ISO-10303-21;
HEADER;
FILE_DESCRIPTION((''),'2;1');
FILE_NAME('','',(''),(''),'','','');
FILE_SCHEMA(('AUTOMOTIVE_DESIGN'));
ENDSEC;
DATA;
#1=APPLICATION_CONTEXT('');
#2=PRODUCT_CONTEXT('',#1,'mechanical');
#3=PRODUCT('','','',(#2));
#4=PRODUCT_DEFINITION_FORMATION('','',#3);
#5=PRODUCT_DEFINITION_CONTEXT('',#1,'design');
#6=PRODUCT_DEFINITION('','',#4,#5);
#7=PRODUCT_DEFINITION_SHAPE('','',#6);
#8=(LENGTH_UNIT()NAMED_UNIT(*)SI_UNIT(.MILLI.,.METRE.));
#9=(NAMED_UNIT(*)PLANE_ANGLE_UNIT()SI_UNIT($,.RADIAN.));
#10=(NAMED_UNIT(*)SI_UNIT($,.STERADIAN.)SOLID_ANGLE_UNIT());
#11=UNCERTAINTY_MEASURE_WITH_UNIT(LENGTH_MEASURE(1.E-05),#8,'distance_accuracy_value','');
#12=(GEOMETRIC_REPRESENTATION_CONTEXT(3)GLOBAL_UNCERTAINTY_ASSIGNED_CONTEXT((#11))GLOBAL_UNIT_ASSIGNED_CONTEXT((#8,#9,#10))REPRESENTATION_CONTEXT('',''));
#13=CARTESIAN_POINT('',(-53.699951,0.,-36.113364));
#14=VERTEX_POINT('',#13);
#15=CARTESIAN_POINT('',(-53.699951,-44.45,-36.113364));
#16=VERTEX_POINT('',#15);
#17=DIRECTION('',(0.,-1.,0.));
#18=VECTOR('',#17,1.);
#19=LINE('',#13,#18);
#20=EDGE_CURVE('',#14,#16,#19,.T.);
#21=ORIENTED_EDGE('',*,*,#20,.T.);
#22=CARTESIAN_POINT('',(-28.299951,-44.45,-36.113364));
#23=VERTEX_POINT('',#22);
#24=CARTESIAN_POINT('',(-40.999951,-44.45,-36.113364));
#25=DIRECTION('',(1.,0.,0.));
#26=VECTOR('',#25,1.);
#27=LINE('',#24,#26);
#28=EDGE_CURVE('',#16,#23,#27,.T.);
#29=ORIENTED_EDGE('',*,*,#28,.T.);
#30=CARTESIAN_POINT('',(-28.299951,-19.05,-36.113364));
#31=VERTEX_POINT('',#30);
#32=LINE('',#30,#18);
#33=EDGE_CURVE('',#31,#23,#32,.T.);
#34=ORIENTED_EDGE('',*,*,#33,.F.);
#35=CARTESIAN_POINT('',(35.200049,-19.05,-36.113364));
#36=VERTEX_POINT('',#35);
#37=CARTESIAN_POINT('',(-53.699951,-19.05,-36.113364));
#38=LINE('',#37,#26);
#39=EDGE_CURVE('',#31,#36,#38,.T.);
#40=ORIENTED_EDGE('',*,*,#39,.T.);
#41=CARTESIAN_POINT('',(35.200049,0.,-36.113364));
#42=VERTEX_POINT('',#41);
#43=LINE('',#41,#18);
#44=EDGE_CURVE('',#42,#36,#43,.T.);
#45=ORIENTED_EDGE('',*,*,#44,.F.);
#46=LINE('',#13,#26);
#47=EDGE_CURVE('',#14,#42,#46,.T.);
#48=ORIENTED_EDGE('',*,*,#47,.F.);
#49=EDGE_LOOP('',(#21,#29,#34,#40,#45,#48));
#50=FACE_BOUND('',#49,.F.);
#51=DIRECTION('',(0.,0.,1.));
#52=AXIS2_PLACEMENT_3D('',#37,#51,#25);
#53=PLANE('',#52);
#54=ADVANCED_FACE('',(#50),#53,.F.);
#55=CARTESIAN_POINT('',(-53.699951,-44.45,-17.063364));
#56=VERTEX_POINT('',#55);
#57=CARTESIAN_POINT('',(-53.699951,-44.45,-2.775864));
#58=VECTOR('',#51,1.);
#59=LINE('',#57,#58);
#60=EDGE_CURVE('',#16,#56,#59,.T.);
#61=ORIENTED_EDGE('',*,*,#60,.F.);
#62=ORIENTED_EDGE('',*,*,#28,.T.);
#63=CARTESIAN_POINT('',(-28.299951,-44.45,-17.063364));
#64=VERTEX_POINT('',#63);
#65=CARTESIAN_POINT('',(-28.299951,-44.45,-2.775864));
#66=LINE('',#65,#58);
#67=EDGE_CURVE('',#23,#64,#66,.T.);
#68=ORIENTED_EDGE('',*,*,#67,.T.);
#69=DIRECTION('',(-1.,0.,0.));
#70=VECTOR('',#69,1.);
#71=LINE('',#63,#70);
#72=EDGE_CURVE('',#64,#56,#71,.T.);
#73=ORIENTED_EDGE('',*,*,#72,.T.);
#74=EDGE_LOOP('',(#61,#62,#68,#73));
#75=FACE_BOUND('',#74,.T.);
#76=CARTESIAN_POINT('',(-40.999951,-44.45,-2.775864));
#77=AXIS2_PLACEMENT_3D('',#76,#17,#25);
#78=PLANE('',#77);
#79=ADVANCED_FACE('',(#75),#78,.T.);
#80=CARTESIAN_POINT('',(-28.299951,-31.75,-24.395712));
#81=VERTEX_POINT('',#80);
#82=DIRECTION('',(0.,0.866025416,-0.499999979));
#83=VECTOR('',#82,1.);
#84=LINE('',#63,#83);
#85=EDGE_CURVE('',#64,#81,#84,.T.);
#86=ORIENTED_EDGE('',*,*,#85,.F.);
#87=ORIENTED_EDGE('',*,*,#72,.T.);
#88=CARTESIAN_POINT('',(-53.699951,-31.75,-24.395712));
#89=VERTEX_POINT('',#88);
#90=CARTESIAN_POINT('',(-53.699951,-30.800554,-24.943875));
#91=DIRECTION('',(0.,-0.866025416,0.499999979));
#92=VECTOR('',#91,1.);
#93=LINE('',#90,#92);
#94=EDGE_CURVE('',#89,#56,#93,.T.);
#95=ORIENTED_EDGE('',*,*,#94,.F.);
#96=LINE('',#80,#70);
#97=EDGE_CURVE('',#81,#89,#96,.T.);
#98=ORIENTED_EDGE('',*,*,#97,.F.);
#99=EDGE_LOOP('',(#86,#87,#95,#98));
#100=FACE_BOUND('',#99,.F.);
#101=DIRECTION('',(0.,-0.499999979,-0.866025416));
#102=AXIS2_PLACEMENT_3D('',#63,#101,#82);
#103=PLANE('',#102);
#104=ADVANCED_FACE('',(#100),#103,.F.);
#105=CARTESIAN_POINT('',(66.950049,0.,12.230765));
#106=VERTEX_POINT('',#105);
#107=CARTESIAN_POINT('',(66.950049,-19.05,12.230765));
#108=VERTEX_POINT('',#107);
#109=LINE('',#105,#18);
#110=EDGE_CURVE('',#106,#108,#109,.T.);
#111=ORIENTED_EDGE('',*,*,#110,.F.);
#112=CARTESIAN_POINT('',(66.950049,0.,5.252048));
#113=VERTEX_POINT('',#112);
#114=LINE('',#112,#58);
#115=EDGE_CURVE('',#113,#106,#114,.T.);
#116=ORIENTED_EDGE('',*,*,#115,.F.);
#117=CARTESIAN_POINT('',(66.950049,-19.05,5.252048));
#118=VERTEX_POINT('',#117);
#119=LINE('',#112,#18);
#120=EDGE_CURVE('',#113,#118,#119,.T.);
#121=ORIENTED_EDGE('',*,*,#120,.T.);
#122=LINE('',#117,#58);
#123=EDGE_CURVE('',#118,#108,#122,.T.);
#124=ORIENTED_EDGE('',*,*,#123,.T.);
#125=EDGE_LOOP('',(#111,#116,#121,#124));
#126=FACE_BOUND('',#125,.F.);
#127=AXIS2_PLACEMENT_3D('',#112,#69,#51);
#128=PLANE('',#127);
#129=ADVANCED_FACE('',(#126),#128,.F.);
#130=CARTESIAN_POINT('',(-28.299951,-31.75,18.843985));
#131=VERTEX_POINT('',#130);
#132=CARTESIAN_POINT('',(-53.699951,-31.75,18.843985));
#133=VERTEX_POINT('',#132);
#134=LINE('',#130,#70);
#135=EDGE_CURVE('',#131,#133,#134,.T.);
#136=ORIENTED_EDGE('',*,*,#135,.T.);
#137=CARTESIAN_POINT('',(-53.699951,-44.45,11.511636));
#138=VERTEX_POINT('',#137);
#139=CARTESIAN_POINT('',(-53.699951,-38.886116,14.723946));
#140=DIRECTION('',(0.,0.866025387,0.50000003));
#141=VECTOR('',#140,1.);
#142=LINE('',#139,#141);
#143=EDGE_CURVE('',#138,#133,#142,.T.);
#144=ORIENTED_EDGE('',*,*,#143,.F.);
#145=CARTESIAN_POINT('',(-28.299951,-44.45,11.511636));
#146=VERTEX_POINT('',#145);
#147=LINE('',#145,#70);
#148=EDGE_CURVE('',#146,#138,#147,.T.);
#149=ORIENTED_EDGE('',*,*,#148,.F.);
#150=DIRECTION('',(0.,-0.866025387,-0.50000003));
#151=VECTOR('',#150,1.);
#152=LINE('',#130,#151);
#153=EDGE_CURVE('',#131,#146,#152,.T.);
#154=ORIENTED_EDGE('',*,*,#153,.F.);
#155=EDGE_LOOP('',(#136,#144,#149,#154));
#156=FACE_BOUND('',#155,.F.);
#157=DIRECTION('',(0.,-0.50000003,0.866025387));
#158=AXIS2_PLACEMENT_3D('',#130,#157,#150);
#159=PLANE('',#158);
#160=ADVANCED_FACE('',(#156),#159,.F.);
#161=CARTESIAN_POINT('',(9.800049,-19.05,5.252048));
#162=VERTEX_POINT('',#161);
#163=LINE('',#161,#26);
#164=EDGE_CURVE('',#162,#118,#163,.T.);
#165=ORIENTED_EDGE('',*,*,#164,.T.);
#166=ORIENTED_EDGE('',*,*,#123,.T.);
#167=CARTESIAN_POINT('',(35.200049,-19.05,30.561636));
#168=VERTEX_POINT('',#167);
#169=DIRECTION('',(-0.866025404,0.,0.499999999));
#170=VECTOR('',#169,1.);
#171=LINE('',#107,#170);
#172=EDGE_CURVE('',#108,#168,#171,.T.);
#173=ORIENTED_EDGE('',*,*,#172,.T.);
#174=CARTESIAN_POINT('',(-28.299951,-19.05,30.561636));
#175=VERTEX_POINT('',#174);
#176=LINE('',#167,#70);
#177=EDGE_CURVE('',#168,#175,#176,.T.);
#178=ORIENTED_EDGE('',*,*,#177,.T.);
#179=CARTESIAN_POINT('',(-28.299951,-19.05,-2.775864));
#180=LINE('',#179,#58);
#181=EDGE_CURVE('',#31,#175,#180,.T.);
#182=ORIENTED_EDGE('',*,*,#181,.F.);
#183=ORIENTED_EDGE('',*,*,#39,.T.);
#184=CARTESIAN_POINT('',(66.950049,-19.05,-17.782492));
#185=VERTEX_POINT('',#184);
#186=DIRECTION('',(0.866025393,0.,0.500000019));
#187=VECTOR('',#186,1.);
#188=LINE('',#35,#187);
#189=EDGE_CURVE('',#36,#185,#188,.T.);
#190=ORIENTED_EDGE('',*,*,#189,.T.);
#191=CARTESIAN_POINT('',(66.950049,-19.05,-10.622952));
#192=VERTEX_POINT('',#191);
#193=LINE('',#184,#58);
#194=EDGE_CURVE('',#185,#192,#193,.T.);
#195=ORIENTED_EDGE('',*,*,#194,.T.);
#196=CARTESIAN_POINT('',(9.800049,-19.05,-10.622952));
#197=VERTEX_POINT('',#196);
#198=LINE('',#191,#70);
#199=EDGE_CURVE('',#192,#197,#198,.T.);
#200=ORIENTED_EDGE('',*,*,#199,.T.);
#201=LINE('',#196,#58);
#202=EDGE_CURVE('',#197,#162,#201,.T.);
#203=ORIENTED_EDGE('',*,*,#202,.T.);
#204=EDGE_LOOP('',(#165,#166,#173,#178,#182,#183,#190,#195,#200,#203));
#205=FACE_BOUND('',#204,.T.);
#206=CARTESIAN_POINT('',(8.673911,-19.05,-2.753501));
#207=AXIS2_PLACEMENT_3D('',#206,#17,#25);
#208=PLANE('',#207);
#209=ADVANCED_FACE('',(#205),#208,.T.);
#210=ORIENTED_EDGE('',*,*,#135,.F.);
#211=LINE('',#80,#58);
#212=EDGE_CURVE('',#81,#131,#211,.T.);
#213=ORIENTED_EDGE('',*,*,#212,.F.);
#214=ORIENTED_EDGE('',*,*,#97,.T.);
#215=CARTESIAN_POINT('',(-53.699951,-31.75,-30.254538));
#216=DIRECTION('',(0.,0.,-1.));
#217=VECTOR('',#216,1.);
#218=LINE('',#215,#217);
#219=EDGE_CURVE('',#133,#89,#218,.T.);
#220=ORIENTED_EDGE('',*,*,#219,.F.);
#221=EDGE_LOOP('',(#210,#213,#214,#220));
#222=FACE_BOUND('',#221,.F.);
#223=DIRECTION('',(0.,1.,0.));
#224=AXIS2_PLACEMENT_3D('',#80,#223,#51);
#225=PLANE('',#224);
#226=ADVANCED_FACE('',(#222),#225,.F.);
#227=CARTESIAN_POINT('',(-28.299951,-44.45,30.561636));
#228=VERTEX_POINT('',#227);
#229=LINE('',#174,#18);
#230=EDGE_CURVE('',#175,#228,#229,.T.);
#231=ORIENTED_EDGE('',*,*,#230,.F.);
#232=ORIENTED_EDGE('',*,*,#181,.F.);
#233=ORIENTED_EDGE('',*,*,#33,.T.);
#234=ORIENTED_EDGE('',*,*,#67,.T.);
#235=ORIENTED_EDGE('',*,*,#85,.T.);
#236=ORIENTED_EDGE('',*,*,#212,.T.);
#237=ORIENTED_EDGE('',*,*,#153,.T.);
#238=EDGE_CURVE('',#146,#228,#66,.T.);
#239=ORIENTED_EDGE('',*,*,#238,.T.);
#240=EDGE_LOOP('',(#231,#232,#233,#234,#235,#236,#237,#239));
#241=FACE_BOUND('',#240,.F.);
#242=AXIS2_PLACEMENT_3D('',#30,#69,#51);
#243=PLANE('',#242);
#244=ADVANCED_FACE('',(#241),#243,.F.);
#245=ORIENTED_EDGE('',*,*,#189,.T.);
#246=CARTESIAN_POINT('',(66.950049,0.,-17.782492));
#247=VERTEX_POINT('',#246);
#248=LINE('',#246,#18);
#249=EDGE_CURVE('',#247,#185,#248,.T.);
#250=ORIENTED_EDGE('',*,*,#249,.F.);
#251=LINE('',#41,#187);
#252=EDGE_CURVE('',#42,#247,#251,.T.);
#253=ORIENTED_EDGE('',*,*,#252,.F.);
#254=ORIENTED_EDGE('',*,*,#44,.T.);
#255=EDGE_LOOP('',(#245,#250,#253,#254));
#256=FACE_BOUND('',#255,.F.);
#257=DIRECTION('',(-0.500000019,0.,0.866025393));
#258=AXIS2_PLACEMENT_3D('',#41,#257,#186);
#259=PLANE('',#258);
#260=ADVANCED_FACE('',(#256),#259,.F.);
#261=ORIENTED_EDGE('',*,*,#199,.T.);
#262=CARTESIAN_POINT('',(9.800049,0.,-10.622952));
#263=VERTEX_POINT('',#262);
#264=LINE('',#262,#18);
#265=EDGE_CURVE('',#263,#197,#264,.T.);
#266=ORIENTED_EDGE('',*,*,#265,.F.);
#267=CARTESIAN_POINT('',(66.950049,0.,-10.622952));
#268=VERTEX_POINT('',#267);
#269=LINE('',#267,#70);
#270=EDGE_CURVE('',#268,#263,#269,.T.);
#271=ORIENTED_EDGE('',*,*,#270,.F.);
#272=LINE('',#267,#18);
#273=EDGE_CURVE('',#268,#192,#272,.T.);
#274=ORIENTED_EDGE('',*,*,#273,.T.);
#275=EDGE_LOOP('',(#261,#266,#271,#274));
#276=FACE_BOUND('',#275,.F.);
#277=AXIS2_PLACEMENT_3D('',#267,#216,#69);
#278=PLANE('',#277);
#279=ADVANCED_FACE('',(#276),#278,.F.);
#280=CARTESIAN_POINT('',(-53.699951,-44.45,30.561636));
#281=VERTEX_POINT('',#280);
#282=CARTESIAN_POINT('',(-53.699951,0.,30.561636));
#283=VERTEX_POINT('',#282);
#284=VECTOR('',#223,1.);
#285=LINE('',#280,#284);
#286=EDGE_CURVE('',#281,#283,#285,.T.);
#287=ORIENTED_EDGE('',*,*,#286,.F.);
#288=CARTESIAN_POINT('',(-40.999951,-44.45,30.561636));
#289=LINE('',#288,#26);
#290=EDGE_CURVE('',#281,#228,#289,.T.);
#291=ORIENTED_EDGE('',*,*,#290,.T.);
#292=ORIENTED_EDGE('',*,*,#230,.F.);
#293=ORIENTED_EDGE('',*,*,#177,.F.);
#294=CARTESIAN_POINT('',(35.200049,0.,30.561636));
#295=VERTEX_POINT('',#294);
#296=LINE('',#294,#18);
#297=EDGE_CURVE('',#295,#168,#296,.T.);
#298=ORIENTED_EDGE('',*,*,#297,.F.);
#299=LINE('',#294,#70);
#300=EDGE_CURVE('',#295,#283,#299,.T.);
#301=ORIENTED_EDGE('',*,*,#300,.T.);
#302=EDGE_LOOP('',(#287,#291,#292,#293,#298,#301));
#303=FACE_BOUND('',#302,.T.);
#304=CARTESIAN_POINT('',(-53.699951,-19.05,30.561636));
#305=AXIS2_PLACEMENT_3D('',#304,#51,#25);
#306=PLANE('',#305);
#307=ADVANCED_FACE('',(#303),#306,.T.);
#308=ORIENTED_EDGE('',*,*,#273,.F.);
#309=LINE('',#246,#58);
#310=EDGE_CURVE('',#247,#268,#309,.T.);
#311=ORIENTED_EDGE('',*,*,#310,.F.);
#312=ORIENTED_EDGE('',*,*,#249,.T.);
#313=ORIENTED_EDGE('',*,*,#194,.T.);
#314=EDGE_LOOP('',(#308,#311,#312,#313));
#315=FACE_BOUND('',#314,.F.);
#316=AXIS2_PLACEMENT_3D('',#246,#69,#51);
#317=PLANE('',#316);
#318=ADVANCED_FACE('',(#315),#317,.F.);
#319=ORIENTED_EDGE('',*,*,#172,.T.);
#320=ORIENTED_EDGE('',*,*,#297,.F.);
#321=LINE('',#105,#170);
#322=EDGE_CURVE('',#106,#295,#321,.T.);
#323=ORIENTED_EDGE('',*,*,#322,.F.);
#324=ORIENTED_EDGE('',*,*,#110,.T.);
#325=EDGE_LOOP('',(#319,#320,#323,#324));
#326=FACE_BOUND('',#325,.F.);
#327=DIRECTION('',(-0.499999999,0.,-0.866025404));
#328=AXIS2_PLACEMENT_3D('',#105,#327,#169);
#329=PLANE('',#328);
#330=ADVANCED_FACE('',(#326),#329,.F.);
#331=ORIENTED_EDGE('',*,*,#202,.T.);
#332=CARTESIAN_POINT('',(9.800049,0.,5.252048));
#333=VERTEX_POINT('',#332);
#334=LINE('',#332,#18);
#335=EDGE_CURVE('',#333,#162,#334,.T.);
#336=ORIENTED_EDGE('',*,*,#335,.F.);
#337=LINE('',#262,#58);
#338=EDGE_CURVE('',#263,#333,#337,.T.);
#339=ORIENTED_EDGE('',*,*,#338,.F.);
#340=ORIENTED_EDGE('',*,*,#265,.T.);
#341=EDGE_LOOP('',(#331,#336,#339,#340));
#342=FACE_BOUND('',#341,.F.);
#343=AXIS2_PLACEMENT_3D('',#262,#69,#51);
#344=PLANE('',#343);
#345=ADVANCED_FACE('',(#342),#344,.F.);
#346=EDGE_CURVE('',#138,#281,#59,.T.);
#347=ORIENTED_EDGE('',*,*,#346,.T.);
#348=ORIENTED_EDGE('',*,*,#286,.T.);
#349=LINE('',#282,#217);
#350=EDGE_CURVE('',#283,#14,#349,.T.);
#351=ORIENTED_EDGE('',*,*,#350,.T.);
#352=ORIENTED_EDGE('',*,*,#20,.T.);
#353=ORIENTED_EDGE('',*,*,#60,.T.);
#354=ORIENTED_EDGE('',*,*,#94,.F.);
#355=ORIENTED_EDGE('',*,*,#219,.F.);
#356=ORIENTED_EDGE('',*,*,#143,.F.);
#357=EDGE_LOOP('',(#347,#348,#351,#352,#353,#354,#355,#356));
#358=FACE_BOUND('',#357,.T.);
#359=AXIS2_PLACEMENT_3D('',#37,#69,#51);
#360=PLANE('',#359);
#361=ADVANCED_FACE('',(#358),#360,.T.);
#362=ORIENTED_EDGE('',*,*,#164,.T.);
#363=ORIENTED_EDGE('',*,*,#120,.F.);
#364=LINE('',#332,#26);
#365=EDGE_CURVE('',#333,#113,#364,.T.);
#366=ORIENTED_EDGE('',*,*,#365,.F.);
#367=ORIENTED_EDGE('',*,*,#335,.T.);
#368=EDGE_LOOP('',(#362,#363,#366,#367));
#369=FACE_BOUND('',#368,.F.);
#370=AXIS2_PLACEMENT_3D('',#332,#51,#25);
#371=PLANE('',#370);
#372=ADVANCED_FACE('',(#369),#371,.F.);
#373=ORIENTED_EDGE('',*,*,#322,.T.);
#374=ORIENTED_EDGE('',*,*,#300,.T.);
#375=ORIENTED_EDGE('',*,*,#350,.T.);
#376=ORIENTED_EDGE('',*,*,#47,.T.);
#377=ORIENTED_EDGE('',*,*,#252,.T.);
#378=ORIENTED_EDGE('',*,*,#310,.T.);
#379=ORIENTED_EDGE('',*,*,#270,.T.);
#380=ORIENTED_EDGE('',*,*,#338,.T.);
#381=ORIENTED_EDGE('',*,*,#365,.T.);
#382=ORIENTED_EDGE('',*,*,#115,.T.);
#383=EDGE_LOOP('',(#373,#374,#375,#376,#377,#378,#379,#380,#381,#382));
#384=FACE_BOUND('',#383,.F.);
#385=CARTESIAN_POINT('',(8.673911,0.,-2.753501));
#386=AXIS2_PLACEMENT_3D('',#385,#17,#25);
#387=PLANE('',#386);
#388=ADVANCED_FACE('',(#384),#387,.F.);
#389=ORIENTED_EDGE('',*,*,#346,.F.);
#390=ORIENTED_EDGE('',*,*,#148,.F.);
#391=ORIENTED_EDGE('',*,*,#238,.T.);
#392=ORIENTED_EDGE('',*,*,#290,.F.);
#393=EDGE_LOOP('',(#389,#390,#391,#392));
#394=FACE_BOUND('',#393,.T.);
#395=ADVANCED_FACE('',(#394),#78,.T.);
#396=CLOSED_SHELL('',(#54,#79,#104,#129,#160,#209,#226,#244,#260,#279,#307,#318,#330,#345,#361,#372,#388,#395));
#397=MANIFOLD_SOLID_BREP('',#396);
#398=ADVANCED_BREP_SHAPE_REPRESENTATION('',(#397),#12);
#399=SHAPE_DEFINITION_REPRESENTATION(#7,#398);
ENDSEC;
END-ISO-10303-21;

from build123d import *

# Parameters (mm, degrees)
F1_DEPTH = 19.05
F2_W     = 25.4
F2_H     = 66.675
F3_DEPTH = 25.4
F5_DEPTH = 25.401


with BuildPart() as f1:
    # F0 (on Front) → F1 (new body)
    with BuildSketch(Plane.XZ):
        Polygon((35.200049, 30.561636), (-53.699951, 30.561636), (-53.699951, -36.113364), (35.200049, -36.113364), (66.950049, -17.782492), (66.950049, -10.622952), (9.800049, -10.622952), (9.800049, 5.252048), (66.950049, 5.252048), (66.950049, 12.230765), align=None)
    extrude(amount=F1_DEPTH)

    # F2 (on face) → F3 (join)
    with BuildSketch(Plane.XZ.offset(19.05)):
        with Locations((-40.999951, -2.775864)):
            Rectangle(F2_W, F2_H)
    extrude(amount=F3_DEPTH)

    # F4 (on face) → F5 (cut, through all)
    with BuildSketch(Plane.YZ.offset(-28.299951)):
        Polygon((-31.75, 18.843985), (-44.45, 11.511636), (-44.45, -17.063364), (-31.75, -24.395712), align=None)
    extrude(amount=-F5_DEPTH, mode=Mode.SUBTRACT)


solid = f1.part
